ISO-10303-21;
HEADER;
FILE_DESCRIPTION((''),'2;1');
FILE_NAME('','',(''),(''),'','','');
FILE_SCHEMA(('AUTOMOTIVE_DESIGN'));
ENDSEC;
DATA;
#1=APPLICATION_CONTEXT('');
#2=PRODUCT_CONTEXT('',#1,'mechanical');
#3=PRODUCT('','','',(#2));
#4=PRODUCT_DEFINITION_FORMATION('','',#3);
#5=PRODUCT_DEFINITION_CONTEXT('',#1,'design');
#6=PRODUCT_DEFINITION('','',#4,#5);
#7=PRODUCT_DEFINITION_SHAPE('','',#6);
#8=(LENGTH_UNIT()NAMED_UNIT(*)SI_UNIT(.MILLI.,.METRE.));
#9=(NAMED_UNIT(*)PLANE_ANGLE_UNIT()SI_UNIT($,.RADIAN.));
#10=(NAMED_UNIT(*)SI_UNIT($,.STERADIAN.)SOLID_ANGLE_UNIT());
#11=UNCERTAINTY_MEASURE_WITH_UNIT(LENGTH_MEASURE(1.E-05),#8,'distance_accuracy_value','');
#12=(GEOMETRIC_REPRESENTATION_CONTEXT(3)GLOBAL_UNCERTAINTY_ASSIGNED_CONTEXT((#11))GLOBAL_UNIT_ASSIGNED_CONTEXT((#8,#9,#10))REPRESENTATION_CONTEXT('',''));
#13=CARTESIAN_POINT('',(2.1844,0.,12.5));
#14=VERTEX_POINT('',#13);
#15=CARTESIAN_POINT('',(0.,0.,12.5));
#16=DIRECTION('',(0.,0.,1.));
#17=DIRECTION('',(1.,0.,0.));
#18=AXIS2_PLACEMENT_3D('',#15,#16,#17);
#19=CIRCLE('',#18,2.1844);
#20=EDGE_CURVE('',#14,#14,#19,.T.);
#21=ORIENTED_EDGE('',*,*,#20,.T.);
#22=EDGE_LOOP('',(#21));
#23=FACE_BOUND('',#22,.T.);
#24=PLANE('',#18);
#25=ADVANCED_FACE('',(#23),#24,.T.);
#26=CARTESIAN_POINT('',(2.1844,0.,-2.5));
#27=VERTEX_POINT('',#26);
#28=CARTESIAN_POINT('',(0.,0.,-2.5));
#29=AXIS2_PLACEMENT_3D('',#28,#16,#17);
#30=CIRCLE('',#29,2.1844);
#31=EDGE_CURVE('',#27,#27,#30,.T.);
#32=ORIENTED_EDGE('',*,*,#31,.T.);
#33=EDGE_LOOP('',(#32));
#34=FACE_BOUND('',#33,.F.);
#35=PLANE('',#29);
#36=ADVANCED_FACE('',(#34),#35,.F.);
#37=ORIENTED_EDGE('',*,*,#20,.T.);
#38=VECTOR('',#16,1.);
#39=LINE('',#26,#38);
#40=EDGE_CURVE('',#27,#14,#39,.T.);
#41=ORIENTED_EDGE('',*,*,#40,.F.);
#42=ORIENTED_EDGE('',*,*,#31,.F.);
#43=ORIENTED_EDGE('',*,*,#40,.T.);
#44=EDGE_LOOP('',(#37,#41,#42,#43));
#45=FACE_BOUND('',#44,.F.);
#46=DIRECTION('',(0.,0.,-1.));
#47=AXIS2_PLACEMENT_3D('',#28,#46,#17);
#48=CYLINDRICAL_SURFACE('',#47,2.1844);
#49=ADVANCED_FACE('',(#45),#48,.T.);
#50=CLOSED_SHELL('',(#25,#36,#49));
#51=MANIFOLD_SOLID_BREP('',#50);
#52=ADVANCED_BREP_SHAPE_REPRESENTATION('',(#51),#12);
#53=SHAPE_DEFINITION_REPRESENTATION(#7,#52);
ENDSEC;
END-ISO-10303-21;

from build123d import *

# Parameters (mm, degrees)
CYLINDER_R     = 2.1844
CYLINDER_DEPTH = 15


with BuildPart() as part:
    # Cylinder → Cylinder (new body)
    with BuildSketch(Plane.XY.offset(-2.5)):
        Circle(CYLINDER_R)
    extrude(amount=CYLINDER_DEPTH)


solid = part.part
